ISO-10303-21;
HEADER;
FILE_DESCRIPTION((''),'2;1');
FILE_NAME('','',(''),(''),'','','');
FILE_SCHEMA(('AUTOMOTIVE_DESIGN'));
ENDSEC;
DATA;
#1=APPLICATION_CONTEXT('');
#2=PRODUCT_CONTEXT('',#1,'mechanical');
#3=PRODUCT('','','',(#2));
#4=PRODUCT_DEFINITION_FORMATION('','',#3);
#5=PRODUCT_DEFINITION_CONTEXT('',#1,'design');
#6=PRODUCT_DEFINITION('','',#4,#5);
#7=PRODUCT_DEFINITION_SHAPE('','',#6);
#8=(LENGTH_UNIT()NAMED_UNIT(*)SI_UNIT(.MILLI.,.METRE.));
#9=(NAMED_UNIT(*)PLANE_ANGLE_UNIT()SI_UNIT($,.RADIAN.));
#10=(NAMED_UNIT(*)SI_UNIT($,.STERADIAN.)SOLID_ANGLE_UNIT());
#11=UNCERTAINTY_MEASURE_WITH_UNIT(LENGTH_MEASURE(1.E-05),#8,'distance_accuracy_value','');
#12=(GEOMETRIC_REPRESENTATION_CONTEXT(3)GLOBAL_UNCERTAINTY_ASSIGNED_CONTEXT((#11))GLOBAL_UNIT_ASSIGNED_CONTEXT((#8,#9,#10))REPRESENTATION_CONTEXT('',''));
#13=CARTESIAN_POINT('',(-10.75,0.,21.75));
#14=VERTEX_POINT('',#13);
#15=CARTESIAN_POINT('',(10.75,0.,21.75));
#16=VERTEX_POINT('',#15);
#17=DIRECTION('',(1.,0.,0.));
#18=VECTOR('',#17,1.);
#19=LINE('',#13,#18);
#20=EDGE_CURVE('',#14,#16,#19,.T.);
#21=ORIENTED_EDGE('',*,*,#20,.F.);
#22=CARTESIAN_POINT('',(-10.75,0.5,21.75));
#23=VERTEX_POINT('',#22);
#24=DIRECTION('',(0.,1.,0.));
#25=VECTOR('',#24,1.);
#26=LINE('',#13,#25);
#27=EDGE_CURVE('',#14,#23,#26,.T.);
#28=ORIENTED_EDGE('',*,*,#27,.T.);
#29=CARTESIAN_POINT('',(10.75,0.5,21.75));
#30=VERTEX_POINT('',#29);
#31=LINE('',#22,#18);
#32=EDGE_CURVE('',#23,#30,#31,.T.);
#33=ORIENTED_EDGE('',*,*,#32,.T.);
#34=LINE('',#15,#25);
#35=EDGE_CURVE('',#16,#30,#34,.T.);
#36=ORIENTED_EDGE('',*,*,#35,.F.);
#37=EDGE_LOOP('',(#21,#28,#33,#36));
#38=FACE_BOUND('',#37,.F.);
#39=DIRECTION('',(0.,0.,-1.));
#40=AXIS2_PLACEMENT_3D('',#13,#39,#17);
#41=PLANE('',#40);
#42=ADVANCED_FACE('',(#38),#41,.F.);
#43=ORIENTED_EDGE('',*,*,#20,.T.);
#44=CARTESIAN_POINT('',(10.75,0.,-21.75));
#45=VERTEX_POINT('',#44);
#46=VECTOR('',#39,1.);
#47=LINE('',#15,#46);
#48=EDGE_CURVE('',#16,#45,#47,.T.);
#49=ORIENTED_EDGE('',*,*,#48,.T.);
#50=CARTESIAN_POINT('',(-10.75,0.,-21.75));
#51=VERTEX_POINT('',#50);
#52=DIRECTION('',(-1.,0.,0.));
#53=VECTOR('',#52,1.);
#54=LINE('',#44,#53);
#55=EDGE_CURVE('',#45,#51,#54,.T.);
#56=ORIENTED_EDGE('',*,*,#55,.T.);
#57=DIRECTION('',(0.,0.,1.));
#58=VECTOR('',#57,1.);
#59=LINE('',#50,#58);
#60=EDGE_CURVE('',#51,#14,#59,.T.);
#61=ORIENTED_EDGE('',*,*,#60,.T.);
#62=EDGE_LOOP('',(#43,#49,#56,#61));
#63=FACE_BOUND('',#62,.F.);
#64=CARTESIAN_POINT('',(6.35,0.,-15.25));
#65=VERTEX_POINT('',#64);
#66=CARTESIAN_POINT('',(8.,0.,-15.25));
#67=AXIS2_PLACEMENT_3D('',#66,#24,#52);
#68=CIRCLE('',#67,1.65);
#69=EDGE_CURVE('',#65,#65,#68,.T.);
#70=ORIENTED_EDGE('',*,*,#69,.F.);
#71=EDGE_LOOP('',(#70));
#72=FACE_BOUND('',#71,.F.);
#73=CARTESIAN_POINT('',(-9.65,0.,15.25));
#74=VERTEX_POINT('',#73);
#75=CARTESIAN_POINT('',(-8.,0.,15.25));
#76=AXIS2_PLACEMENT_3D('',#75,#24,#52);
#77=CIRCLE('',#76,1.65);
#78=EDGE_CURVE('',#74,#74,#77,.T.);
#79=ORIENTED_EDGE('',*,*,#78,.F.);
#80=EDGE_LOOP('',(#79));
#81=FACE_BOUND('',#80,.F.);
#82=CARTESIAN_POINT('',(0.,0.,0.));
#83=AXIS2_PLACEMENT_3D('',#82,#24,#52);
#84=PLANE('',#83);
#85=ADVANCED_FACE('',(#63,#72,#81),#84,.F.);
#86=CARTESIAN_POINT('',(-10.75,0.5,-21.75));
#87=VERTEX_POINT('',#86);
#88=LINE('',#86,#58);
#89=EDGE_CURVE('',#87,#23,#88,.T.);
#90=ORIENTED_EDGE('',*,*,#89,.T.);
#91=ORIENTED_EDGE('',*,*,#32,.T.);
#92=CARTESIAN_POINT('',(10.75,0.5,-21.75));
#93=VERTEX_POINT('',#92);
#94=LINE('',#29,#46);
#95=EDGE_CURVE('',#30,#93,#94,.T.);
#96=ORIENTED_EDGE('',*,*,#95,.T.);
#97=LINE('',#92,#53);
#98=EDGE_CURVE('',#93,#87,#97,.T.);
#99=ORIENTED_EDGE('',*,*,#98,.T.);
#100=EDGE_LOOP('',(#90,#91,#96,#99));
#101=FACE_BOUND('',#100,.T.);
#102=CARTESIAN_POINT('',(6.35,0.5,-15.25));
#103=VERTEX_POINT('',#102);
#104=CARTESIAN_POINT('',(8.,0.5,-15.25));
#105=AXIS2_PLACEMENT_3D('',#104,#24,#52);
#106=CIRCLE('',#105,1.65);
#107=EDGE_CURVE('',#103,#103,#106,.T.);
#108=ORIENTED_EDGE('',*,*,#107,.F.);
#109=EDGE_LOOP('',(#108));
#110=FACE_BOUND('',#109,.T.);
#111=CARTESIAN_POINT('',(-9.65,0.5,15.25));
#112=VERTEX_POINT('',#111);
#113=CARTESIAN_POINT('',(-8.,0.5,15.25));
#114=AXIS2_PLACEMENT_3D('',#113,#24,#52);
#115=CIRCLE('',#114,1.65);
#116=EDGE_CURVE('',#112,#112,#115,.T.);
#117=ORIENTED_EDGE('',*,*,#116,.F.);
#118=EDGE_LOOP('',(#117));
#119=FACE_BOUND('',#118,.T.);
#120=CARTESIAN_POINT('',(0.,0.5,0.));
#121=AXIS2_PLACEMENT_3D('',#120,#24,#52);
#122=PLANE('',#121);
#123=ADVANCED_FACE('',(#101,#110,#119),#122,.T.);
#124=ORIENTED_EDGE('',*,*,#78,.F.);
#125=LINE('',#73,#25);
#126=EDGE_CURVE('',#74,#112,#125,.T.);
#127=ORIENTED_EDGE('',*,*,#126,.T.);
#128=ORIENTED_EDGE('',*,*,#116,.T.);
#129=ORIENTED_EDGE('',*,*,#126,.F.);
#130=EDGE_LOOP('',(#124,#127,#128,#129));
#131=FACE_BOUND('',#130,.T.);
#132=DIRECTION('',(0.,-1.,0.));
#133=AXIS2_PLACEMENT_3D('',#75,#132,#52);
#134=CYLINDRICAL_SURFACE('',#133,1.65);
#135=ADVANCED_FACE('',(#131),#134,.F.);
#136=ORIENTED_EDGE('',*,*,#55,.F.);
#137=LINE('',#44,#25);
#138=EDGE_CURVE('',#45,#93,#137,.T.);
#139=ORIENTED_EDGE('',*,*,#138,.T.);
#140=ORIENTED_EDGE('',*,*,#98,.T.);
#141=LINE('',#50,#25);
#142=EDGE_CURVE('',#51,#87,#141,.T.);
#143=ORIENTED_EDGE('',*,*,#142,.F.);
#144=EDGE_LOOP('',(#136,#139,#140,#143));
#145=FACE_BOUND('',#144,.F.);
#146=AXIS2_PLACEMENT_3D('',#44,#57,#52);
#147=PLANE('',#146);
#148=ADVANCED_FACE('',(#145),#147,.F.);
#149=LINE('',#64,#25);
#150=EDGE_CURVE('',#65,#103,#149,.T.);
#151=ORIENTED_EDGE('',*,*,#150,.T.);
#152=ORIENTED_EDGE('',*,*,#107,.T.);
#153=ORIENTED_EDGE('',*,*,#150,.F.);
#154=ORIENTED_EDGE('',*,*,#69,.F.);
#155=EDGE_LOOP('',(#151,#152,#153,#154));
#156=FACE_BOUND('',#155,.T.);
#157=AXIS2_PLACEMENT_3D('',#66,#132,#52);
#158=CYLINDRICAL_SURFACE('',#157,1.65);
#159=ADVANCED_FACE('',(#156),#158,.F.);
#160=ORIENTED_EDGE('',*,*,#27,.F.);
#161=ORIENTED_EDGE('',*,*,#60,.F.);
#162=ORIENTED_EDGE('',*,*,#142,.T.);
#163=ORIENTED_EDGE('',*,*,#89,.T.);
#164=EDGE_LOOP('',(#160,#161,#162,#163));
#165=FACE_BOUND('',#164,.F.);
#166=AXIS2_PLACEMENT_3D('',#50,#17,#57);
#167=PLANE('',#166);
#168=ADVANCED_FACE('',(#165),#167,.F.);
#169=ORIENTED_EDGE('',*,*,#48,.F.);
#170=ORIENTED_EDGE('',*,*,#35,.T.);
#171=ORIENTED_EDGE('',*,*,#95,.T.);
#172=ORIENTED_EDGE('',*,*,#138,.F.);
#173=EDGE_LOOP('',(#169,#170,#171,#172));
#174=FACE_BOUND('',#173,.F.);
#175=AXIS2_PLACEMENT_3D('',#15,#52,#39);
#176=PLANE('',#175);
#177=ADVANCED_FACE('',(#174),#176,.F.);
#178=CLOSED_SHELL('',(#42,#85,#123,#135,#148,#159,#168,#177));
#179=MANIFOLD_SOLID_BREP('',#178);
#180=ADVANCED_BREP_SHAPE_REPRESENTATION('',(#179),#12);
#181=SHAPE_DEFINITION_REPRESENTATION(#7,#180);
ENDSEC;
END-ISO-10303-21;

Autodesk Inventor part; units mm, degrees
ref_plane "YZ Plane" through (0, 0, 0) normal (1, 0, 0) x (0, 1, 0)
ref_plane "XZ Plane" through (0, 0, 0) normal (0, 1, 0) x (-1, 0, 0)
ref_plane "XY Plane" through (0, 0, 0) normal (0, 0, 1) x (1, 0, 0)
sketch "Sketch1" plane through (0, 0, 0) normal (0, 1, 0) x (-1, 0, 0)
  line L0 (10.75, 21.75) -> (-10.75, 21.75)
  line L1 (-10.75, 21.75) -> (-10.75, -21.75)
  line L2 (-10.75, -21.75) -> (10.75, -21.75)
  line L3 (10.75, -21.75) -> (10.75, 21.75)
  line L4 (10.75, 21.75) -> (-10.75, -21.75) construction
  line L5 (-10.75, 21.75) -> (10.75, -21.75) construction
  line L6 (8, -15.25) -> (-8, -15.25) construction
  line L7 (-8, -15.25) -> (-8, 15.25) construction
  line L8 (-8, 15.25) -> (8, 15.25) construction
  line L9 (8, 15.25) -> (8, -15.25) construction
  line L10 (8, -15.25) -> (-8, 15.25) construction
  line L11 (-8, -15.25) -> (8, 15.25) construction
  circle A0 centre (8, 15.25) radius 1.65
  circle A1 centre (-8, -15.25) radius 1.65
  point P0 (0, 0)
  dimension "d0" = 21.5
  dimension "d1" = 43.5
  dimension "d2" = 16
  dimension "d3" = 30.5
  dimension "d4" = 3.3
  dimension "d5" = 3.3
extrude "Extrusion1" add sketch "Sketch1" along normal blind 0.5
